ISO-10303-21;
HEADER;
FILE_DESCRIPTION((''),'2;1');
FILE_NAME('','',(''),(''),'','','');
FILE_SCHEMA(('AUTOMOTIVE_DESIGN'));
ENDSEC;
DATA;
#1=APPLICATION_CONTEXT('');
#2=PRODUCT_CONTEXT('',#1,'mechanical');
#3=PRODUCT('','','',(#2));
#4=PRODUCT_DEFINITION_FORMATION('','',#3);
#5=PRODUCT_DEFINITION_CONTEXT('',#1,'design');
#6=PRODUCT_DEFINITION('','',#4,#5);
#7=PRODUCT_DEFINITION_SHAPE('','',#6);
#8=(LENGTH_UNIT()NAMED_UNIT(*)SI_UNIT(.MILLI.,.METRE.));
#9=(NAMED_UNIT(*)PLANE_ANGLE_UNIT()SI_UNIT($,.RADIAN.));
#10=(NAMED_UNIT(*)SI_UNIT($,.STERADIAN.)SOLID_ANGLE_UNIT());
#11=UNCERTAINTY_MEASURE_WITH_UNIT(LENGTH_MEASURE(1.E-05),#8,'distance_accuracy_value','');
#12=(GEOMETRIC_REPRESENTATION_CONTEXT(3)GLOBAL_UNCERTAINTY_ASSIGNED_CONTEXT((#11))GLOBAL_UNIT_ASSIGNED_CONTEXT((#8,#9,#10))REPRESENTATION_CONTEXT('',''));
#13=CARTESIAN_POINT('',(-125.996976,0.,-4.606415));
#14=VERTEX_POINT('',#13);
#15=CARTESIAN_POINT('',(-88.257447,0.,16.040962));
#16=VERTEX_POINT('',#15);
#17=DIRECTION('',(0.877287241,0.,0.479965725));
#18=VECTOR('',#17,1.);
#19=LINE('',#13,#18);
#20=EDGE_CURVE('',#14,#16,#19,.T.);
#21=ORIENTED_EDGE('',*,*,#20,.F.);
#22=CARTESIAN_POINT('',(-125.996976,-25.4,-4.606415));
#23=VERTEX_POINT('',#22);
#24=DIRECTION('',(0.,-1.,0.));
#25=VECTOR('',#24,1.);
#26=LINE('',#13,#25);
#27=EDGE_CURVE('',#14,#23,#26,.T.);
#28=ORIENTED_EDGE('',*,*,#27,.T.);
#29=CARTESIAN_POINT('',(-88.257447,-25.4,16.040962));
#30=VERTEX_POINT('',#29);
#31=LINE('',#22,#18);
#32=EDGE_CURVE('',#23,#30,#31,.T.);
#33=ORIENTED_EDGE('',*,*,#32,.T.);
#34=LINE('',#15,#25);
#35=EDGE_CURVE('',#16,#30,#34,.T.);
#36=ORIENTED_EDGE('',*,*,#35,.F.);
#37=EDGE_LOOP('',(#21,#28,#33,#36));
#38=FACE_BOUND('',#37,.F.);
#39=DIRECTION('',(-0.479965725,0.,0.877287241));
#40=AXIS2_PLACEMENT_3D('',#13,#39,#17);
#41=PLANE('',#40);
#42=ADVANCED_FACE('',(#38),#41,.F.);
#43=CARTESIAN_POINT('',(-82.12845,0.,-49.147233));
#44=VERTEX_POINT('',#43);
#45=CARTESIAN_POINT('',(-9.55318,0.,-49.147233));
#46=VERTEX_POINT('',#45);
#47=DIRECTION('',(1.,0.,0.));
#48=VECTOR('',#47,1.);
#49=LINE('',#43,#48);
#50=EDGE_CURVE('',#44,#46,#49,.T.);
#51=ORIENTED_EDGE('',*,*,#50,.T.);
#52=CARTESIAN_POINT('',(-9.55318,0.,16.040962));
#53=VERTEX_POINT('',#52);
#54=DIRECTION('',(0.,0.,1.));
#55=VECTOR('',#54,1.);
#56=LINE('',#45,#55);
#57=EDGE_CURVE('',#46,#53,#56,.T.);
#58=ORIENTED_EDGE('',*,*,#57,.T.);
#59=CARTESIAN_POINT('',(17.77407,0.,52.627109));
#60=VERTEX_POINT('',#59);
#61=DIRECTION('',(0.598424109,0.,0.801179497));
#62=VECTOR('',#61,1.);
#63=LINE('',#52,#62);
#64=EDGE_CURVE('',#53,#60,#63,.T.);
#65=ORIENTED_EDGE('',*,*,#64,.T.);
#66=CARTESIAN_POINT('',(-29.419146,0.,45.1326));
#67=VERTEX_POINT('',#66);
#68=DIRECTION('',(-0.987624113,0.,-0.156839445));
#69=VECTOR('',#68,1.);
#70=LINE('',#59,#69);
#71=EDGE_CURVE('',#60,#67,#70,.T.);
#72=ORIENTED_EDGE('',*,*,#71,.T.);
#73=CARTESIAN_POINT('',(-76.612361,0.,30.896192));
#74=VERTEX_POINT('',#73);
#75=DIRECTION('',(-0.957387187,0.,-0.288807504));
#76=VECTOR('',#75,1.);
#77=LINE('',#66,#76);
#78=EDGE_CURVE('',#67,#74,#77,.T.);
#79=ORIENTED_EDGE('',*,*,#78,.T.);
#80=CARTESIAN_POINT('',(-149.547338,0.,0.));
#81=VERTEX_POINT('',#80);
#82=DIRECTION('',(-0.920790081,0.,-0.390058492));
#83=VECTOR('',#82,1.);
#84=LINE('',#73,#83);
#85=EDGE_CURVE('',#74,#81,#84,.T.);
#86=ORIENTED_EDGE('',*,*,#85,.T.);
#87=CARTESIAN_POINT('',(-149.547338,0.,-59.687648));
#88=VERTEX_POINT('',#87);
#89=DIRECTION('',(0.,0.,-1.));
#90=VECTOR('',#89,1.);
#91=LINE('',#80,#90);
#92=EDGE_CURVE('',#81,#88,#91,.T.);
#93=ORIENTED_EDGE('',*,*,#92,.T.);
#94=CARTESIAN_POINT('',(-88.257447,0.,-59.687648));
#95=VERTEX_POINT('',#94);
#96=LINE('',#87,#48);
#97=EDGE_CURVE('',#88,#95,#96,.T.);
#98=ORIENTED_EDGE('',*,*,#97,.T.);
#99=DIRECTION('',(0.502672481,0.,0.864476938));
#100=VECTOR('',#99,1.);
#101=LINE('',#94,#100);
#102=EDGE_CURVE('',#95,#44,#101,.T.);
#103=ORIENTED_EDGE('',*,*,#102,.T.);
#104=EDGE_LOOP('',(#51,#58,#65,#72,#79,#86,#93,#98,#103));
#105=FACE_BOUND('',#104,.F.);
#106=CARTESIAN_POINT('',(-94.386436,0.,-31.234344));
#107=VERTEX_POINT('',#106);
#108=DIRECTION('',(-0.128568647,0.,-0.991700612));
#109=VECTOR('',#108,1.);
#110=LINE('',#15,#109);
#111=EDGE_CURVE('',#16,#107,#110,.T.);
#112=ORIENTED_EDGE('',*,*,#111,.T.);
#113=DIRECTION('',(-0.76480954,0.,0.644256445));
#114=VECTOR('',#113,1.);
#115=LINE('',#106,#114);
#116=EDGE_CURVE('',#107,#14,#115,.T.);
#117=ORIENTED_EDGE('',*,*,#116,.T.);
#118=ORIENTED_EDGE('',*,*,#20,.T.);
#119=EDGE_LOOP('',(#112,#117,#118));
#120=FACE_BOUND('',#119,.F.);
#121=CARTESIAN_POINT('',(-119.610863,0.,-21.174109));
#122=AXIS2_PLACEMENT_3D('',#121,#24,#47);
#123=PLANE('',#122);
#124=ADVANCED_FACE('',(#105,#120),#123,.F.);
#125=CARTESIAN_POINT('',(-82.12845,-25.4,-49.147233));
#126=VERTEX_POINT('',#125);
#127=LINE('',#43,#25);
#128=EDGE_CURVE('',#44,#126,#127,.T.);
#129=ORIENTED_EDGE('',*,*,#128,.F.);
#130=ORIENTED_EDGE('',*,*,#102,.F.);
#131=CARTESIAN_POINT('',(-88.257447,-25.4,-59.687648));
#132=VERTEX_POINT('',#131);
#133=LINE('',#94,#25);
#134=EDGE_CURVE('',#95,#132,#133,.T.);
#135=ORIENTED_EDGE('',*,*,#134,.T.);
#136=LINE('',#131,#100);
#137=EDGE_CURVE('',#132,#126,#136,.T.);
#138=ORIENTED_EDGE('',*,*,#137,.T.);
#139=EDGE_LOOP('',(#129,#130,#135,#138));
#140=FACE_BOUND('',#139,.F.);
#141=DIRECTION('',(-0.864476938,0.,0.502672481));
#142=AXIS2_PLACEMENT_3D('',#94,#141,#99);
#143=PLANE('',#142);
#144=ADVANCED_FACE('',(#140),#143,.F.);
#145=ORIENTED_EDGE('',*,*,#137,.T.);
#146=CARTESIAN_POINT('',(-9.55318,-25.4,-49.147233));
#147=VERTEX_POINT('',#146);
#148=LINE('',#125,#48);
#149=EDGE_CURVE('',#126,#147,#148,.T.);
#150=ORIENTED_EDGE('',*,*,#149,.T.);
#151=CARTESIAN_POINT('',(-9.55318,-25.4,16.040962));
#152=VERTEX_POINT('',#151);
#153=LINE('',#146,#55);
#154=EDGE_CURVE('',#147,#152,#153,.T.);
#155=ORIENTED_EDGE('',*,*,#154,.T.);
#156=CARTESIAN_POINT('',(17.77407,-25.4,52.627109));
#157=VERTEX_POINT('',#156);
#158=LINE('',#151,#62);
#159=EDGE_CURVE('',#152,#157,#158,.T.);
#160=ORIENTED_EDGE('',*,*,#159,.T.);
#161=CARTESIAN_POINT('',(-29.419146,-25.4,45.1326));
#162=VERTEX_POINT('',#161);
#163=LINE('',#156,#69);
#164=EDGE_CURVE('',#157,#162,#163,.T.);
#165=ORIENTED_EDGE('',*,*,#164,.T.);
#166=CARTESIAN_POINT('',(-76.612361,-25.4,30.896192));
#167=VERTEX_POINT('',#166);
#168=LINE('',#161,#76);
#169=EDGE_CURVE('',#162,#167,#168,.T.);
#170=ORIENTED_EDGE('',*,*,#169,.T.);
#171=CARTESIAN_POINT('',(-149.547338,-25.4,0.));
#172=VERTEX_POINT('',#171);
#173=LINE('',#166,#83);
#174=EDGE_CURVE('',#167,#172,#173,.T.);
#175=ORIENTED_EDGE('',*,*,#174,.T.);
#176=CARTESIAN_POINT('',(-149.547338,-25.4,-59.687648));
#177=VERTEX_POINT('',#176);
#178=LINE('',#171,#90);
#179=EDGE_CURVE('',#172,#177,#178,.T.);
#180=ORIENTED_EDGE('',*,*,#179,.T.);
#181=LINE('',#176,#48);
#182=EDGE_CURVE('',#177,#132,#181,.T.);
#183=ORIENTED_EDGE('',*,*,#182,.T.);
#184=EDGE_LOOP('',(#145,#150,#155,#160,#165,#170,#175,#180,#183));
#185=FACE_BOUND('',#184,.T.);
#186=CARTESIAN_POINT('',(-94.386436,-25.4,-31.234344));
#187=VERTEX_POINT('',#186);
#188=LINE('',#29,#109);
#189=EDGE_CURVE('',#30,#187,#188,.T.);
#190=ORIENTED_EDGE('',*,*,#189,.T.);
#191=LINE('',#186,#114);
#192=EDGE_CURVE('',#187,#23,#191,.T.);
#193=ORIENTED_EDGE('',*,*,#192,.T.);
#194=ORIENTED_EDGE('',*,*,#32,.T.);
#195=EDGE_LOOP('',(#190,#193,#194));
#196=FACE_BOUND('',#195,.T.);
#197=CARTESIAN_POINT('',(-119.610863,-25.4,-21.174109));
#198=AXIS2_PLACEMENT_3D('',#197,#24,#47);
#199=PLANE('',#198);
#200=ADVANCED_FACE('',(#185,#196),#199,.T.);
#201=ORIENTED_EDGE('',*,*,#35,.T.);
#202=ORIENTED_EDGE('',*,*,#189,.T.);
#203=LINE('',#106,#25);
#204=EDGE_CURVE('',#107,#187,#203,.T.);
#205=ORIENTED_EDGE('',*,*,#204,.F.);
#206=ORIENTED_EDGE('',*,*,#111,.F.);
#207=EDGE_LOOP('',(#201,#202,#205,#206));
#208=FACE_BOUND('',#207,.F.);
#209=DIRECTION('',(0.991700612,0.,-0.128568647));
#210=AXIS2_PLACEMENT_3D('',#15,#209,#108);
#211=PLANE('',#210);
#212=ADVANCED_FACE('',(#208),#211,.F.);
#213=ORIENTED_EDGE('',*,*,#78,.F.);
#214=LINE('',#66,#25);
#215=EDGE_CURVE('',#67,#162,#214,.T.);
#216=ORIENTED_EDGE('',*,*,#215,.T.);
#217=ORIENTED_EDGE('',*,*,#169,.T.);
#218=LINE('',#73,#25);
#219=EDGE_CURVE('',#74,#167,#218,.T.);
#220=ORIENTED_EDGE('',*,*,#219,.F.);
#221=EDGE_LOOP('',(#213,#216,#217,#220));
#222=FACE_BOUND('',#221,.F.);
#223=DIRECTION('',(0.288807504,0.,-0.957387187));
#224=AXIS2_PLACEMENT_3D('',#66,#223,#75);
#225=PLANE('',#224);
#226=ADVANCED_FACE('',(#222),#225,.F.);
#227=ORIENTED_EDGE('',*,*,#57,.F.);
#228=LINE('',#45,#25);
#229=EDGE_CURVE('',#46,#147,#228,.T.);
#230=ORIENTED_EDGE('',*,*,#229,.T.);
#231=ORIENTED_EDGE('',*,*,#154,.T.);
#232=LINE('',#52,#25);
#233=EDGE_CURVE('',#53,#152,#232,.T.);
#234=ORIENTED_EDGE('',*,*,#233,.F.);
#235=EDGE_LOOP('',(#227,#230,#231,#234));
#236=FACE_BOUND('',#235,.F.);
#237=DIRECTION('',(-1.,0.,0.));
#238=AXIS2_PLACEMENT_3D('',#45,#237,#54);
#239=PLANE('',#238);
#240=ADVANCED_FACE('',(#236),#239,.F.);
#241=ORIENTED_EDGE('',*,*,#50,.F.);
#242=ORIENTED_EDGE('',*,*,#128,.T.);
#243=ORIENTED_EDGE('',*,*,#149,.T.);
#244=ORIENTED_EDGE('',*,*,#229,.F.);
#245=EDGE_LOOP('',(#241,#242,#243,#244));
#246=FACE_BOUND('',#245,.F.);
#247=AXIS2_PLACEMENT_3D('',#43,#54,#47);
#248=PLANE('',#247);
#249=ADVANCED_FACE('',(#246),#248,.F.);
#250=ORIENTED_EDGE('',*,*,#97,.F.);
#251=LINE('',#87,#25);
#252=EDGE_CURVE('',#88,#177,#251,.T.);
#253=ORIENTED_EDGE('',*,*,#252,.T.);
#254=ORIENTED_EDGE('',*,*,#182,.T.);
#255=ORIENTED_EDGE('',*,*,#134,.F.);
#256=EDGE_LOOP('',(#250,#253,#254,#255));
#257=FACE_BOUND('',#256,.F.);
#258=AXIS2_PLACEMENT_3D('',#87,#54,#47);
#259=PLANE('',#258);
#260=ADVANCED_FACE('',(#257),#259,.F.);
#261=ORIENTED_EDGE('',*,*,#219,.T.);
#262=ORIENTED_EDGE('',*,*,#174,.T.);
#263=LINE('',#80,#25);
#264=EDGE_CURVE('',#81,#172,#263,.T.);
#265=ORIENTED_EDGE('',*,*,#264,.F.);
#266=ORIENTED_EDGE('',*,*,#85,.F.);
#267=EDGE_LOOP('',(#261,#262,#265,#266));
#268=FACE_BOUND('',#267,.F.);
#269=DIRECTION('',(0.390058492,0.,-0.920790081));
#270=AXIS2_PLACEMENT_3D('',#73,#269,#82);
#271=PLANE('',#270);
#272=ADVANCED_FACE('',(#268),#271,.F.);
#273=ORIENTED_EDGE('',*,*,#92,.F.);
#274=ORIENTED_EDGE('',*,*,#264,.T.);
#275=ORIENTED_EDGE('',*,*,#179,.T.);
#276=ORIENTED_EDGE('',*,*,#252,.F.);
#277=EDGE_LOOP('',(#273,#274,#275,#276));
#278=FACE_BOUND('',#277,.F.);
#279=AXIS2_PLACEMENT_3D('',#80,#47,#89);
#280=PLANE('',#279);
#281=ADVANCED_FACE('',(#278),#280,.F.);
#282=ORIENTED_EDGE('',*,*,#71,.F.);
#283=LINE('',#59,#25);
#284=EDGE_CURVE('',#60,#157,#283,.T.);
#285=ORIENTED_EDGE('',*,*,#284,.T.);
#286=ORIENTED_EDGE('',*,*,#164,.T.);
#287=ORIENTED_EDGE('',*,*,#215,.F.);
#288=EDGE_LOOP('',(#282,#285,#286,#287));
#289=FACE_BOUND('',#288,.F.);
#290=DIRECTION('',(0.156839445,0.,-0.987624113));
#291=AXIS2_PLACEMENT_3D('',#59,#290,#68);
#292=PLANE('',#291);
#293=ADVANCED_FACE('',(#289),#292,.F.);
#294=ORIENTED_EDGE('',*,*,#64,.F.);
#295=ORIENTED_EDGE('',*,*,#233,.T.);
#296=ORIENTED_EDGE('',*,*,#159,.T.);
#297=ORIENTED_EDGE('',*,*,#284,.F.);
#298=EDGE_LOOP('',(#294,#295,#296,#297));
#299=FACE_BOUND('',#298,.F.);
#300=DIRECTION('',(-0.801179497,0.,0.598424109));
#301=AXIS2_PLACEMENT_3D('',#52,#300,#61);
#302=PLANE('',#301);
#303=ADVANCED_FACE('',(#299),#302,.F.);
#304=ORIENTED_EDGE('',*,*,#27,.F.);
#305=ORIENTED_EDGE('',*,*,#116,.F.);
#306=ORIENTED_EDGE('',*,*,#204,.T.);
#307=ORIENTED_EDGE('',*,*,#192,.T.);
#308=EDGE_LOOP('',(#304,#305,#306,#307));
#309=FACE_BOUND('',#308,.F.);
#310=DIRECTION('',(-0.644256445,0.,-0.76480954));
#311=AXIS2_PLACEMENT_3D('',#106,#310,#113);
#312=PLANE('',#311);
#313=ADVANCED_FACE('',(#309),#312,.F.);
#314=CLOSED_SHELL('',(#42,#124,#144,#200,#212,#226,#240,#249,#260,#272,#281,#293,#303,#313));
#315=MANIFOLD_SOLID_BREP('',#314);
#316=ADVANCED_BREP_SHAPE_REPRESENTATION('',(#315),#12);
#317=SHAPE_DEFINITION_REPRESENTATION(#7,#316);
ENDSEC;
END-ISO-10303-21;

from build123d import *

# Parameters (mm, degrees)
F1_DEPTH = 25.4


with BuildPart() as f1:
    # F0 (on Front) → F1 (new body)
    with BuildSketch(Plane.XZ):
        Polygon((-88.257447, -59.687648), (-82.12845, -49.147233), (-134.837762, -49.147233), (-143.809088, -14.351459), (-125.996976, -4.606415), (-88.257447, 16.040962), (-76.612361, 30.896192), (-149.547338, 0), (-149.547338, -59.687648), align=None)
        Polygon((-134.837762, -49.147233), (-82.12845, -49.147233), (-9.55318, -49.147233), (-9.55318, 16.040962), (-88.257447, 16.040962), (-94.386436, -31.234344), (-125.996976, -4.606415), (-143.809088, -14.351459), align=None)
        Polygon((-88.257447, 16.040962), (-9.55318, 16.040962), (17.77407, 52.627109), (-29.419146, 45.1326), (-76.612361, 30.896192), align=None)
    extrude(amount=F1_DEPTH)


solid = f1.part
